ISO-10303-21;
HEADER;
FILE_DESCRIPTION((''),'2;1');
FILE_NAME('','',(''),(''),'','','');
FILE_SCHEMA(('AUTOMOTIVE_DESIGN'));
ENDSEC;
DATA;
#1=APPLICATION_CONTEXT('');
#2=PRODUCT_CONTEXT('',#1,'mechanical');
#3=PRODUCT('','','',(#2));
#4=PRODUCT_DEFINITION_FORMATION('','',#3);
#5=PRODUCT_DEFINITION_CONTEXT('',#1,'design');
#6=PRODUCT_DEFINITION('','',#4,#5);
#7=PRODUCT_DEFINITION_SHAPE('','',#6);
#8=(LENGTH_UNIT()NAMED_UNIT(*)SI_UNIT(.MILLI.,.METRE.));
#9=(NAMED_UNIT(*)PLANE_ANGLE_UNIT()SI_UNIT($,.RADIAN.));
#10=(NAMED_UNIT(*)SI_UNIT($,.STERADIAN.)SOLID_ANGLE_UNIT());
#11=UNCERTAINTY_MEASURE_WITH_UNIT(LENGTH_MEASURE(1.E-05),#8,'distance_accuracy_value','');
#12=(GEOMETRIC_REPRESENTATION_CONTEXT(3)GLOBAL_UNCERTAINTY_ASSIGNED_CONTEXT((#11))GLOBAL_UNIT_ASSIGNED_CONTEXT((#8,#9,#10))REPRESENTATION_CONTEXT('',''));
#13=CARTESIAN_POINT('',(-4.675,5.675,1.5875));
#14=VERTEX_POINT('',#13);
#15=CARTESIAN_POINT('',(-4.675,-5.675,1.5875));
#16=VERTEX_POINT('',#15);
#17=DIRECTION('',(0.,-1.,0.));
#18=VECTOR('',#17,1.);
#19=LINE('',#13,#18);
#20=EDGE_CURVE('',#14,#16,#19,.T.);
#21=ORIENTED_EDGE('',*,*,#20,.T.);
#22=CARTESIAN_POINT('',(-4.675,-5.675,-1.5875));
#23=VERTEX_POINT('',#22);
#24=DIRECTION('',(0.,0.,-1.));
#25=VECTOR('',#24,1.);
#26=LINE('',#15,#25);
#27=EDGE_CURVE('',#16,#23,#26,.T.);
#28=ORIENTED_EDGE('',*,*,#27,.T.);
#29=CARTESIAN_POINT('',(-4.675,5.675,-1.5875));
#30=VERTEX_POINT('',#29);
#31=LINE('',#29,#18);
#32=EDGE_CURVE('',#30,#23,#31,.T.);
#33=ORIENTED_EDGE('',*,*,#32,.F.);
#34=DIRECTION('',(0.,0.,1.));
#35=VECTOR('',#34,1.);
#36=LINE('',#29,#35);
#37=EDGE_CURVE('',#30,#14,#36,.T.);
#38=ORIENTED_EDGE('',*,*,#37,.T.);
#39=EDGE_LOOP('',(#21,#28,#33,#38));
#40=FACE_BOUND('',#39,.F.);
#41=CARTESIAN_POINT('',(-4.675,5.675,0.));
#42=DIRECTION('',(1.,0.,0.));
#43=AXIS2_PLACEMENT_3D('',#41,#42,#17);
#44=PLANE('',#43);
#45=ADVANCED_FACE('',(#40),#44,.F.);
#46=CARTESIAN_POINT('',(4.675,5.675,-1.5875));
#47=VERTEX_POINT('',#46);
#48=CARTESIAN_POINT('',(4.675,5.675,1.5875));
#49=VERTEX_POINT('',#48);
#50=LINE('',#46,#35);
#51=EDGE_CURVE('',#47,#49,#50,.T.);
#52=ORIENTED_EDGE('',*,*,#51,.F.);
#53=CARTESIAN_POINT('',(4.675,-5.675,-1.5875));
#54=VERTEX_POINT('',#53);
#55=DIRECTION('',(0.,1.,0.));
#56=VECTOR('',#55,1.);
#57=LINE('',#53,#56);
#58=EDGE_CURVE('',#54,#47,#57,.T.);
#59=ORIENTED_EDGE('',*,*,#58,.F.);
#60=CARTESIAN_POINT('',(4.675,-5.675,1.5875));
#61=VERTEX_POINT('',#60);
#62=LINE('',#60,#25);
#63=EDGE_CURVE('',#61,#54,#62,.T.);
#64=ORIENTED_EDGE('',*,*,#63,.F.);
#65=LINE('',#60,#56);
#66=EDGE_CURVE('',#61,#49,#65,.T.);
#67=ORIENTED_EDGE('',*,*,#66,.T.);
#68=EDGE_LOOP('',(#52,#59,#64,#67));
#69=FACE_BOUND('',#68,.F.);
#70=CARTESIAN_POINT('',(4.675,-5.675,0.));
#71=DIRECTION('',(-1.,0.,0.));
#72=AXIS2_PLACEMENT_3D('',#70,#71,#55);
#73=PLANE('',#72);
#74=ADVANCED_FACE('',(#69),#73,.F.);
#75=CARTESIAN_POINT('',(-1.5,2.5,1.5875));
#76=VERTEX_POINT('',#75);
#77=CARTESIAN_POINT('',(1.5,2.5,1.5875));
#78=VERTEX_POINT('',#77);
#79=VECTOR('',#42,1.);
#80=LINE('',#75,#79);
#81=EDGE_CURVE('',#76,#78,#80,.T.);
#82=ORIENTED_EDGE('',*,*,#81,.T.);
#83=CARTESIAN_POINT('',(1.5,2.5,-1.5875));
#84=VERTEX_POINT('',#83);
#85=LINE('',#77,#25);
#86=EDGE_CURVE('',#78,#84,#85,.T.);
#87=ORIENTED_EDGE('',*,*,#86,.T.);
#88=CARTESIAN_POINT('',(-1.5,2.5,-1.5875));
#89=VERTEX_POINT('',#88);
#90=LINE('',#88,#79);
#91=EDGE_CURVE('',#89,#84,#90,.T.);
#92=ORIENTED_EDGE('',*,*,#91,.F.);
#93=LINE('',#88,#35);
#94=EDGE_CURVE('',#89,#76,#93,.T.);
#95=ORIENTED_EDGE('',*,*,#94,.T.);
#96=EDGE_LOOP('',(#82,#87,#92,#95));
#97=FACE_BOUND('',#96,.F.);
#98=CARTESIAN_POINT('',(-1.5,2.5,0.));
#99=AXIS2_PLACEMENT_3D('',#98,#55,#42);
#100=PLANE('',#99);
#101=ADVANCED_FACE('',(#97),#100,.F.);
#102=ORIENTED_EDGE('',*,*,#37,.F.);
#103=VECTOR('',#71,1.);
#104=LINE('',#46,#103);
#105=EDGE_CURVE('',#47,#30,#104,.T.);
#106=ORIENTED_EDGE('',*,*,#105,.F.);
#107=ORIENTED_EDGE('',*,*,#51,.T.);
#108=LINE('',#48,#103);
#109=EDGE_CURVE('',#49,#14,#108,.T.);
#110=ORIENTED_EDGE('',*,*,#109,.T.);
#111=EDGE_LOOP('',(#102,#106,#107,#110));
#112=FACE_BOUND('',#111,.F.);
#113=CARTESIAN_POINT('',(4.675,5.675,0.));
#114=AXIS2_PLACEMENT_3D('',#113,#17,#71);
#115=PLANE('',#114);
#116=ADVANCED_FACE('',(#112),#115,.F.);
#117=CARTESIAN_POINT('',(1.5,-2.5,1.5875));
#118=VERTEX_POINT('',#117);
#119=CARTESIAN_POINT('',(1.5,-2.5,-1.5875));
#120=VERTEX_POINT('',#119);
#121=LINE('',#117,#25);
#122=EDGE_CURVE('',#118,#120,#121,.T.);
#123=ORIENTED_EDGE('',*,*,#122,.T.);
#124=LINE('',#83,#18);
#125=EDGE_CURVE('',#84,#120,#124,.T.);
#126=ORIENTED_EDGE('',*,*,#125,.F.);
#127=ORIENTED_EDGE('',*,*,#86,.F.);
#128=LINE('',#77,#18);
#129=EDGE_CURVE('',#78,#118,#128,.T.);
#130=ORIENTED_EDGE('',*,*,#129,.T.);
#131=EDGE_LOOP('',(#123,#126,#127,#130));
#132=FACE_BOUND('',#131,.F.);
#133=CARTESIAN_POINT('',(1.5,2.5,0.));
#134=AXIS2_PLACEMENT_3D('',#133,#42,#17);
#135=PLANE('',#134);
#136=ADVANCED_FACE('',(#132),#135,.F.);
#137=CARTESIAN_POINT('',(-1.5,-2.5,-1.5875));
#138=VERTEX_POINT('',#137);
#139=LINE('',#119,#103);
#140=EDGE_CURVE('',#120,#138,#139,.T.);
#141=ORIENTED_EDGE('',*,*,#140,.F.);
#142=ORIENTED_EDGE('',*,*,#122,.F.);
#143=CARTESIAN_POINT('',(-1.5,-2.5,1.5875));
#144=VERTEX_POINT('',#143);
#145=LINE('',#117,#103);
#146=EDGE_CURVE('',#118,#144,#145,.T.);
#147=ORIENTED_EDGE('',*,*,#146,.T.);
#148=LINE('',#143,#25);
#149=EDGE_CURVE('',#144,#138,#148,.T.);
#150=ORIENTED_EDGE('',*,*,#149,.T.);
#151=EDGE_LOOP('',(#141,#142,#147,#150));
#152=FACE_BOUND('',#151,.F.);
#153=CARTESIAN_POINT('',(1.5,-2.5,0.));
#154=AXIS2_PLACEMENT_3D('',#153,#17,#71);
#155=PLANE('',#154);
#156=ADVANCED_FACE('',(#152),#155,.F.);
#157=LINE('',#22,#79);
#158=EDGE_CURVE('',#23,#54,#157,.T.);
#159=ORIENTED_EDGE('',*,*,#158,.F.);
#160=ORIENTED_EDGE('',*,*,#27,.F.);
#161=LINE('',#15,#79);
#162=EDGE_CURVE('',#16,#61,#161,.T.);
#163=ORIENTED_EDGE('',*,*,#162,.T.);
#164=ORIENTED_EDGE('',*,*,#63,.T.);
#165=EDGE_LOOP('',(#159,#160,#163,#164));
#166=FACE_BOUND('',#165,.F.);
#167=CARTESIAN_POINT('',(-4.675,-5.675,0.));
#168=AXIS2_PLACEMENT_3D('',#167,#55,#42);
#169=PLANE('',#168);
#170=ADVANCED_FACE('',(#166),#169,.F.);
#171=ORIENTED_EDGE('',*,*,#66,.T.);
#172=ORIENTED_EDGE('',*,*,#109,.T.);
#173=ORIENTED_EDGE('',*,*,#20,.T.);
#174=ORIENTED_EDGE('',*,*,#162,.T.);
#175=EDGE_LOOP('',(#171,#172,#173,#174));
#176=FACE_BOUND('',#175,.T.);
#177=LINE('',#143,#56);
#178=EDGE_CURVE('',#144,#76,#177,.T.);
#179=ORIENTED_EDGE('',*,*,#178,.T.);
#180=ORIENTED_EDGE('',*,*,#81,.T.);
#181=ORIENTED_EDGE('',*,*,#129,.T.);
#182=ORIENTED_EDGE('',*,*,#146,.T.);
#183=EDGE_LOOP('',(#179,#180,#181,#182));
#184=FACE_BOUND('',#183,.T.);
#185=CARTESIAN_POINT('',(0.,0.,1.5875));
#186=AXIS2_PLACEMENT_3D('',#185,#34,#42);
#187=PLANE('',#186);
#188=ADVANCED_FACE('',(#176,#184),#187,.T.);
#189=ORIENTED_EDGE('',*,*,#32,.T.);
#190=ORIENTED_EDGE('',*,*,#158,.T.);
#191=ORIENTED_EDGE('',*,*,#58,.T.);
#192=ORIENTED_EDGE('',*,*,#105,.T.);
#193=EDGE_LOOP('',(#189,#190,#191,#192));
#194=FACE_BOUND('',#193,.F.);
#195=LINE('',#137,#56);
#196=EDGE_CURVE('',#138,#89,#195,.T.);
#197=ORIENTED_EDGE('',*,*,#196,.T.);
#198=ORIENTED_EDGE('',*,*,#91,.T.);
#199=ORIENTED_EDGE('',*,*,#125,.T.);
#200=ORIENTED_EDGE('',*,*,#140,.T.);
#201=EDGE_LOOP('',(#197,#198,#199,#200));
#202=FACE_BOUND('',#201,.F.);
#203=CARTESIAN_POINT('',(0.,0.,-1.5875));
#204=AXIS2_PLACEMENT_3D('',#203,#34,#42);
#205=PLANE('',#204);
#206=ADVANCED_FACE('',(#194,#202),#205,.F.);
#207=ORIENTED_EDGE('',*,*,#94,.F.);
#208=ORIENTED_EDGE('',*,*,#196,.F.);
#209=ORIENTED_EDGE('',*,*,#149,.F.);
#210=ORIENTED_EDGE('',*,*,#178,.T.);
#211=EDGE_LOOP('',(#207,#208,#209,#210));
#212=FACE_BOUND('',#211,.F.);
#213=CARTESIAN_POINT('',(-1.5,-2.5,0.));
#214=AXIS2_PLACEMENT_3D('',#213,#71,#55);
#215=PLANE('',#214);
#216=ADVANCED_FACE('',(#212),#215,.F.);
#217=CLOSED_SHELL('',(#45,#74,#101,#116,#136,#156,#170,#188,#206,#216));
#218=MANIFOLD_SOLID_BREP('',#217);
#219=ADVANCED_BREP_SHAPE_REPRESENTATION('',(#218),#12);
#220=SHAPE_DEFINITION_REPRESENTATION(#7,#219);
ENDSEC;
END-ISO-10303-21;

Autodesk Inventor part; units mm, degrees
ref_plane "YZ Plane" through (0, 0, 0) normal (1, 0, 0) x (0, 1, 0)
ref_plane "XZ Plane" through (0, 0, 0) normal (0, 1, 0) x (-1, 0, 0)
ref_plane "XY Plane" through (0, 0, 0) normal (0, 0, 1) x (1, 0, 0)
sketch "Sketch1" plane through (0, 0, 0) normal (0, 0, 1) x (1, 0, 0)
  line L0 (-1.5, 2.5) -> (1.5, 2.5)
  line L1 (1.5, 2.5) -> (1.5, -2.5)
  line L2 (1.5, -2.5) -> (-1.5, -2.5)
  line L3 (-1.5, -2.5) -> (-1.5, 2.5)
  line L4 (-1.5, 2.5) -> (1.5, -2.5) construction
  line L5 (1.5, 2.5) -> (-1.5, -2.5) construction
  line L6 (4.675, 5.675) -> (-4.675, 5.675)
  line L7 (-4.675, 5.675) -> (-4.675, -5.675)
  line L8 (-4.675, -5.675) -> (4.675, -5.675)
  line L9 (4.675, -5.675) -> (4.675, 5.675)
  point P0 (0, 0)
  dimension "d0" = 3
  dimension "d1" = 5
  dimension "d2" = 3.175
extrude "Extrusion1" add sketch "Sketch1" along normal mid plane 3.175
properties part number "Motor Fitting Test"
